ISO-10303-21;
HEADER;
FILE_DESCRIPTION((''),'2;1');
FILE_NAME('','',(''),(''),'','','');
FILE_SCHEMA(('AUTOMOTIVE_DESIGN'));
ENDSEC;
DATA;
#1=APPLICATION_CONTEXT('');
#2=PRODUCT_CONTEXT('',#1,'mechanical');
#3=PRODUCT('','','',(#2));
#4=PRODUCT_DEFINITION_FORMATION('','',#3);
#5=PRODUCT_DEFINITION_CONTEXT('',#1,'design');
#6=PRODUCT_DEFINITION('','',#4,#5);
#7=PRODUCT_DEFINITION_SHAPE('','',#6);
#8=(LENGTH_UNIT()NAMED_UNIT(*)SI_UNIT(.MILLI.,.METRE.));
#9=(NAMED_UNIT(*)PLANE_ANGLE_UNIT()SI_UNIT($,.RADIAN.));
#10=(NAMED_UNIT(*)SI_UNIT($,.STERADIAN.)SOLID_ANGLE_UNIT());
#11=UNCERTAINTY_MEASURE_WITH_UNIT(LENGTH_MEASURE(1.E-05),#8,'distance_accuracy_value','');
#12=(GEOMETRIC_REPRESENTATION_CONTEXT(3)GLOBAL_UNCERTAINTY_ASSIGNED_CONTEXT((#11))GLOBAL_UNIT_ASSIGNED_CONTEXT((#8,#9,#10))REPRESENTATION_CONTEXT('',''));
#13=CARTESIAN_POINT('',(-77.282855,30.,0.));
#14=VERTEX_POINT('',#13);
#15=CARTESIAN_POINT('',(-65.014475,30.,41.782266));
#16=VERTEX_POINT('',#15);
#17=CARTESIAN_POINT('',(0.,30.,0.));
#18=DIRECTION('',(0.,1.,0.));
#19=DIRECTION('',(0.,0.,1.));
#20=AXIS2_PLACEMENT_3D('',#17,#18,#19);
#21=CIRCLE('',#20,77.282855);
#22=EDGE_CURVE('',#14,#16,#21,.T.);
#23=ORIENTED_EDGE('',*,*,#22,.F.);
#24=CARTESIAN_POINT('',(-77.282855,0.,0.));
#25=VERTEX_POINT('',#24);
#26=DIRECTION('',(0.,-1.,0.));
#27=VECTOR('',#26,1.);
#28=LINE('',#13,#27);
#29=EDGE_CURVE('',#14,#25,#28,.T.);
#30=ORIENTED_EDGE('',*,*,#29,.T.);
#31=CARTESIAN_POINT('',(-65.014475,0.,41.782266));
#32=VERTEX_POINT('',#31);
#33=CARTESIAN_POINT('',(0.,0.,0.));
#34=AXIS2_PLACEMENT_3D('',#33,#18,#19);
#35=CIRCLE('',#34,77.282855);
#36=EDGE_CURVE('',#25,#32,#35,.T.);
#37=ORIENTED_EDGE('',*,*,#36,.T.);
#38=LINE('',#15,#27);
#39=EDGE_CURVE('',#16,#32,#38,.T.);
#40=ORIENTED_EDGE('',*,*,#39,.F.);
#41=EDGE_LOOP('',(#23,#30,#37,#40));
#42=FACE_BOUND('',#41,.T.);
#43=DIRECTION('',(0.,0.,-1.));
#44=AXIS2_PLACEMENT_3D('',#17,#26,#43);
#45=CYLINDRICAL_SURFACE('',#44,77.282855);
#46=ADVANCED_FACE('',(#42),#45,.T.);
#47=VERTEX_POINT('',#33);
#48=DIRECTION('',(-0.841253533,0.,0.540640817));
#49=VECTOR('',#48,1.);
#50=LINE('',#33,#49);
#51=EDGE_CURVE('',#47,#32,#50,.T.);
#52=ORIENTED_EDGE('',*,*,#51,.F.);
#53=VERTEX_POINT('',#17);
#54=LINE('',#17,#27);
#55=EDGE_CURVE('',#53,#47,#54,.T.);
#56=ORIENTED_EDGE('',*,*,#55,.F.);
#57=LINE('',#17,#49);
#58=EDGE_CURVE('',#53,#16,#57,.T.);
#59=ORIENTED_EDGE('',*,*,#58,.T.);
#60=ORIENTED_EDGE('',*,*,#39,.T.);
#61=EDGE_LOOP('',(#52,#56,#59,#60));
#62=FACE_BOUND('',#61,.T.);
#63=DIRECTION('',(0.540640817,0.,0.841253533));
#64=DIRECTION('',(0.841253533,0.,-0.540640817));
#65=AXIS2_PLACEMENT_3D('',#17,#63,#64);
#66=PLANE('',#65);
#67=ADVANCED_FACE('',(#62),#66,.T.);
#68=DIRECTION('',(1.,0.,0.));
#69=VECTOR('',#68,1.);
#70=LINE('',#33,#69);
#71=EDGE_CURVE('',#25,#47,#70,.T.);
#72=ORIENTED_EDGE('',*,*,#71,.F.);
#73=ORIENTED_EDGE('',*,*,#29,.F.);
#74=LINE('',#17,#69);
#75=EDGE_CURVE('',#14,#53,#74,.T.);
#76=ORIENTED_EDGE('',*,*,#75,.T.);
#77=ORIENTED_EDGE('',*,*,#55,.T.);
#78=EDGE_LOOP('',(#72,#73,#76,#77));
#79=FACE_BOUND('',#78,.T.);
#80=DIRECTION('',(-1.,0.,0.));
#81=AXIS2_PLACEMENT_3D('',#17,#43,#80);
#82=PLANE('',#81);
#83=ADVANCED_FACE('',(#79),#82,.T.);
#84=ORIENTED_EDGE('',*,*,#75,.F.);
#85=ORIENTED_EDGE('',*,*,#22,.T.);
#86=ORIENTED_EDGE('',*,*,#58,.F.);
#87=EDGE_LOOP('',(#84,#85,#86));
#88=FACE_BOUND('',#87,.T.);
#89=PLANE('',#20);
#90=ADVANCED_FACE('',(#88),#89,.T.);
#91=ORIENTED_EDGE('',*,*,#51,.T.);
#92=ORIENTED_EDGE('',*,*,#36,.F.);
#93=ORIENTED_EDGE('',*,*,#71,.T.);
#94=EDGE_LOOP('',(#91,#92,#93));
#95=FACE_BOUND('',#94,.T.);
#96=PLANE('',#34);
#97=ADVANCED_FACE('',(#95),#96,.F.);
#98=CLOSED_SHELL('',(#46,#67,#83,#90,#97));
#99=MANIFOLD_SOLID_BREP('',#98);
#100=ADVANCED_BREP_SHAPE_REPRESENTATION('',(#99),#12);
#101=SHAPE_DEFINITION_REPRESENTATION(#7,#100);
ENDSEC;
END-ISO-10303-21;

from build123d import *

# Parameters (mm, degrees)
BOSS_EXTRUDE1_DEPTH = 30


with BuildPart() as part:
    # Sketch1 → Boss-Extrude1 (new body)
    with BuildSketch(Plane(origin=(0, 0, 0), x_dir=(1, 0, 0), z_dir=(0, 1, 0))):
        with BuildLine():
            Line((-77.282855011, 0), (0, 0))
            Line((0, 0), (-65.014474805, -41.782265908))
            ThreePointArc((-65.014474805, -41.782265908), (-74.152356363, -21.773096342), (-77.282855011, 0))
        make_face()
    extrude(amount=BOSS_EXTRUDE1_DEPTH)


solid = part.part
